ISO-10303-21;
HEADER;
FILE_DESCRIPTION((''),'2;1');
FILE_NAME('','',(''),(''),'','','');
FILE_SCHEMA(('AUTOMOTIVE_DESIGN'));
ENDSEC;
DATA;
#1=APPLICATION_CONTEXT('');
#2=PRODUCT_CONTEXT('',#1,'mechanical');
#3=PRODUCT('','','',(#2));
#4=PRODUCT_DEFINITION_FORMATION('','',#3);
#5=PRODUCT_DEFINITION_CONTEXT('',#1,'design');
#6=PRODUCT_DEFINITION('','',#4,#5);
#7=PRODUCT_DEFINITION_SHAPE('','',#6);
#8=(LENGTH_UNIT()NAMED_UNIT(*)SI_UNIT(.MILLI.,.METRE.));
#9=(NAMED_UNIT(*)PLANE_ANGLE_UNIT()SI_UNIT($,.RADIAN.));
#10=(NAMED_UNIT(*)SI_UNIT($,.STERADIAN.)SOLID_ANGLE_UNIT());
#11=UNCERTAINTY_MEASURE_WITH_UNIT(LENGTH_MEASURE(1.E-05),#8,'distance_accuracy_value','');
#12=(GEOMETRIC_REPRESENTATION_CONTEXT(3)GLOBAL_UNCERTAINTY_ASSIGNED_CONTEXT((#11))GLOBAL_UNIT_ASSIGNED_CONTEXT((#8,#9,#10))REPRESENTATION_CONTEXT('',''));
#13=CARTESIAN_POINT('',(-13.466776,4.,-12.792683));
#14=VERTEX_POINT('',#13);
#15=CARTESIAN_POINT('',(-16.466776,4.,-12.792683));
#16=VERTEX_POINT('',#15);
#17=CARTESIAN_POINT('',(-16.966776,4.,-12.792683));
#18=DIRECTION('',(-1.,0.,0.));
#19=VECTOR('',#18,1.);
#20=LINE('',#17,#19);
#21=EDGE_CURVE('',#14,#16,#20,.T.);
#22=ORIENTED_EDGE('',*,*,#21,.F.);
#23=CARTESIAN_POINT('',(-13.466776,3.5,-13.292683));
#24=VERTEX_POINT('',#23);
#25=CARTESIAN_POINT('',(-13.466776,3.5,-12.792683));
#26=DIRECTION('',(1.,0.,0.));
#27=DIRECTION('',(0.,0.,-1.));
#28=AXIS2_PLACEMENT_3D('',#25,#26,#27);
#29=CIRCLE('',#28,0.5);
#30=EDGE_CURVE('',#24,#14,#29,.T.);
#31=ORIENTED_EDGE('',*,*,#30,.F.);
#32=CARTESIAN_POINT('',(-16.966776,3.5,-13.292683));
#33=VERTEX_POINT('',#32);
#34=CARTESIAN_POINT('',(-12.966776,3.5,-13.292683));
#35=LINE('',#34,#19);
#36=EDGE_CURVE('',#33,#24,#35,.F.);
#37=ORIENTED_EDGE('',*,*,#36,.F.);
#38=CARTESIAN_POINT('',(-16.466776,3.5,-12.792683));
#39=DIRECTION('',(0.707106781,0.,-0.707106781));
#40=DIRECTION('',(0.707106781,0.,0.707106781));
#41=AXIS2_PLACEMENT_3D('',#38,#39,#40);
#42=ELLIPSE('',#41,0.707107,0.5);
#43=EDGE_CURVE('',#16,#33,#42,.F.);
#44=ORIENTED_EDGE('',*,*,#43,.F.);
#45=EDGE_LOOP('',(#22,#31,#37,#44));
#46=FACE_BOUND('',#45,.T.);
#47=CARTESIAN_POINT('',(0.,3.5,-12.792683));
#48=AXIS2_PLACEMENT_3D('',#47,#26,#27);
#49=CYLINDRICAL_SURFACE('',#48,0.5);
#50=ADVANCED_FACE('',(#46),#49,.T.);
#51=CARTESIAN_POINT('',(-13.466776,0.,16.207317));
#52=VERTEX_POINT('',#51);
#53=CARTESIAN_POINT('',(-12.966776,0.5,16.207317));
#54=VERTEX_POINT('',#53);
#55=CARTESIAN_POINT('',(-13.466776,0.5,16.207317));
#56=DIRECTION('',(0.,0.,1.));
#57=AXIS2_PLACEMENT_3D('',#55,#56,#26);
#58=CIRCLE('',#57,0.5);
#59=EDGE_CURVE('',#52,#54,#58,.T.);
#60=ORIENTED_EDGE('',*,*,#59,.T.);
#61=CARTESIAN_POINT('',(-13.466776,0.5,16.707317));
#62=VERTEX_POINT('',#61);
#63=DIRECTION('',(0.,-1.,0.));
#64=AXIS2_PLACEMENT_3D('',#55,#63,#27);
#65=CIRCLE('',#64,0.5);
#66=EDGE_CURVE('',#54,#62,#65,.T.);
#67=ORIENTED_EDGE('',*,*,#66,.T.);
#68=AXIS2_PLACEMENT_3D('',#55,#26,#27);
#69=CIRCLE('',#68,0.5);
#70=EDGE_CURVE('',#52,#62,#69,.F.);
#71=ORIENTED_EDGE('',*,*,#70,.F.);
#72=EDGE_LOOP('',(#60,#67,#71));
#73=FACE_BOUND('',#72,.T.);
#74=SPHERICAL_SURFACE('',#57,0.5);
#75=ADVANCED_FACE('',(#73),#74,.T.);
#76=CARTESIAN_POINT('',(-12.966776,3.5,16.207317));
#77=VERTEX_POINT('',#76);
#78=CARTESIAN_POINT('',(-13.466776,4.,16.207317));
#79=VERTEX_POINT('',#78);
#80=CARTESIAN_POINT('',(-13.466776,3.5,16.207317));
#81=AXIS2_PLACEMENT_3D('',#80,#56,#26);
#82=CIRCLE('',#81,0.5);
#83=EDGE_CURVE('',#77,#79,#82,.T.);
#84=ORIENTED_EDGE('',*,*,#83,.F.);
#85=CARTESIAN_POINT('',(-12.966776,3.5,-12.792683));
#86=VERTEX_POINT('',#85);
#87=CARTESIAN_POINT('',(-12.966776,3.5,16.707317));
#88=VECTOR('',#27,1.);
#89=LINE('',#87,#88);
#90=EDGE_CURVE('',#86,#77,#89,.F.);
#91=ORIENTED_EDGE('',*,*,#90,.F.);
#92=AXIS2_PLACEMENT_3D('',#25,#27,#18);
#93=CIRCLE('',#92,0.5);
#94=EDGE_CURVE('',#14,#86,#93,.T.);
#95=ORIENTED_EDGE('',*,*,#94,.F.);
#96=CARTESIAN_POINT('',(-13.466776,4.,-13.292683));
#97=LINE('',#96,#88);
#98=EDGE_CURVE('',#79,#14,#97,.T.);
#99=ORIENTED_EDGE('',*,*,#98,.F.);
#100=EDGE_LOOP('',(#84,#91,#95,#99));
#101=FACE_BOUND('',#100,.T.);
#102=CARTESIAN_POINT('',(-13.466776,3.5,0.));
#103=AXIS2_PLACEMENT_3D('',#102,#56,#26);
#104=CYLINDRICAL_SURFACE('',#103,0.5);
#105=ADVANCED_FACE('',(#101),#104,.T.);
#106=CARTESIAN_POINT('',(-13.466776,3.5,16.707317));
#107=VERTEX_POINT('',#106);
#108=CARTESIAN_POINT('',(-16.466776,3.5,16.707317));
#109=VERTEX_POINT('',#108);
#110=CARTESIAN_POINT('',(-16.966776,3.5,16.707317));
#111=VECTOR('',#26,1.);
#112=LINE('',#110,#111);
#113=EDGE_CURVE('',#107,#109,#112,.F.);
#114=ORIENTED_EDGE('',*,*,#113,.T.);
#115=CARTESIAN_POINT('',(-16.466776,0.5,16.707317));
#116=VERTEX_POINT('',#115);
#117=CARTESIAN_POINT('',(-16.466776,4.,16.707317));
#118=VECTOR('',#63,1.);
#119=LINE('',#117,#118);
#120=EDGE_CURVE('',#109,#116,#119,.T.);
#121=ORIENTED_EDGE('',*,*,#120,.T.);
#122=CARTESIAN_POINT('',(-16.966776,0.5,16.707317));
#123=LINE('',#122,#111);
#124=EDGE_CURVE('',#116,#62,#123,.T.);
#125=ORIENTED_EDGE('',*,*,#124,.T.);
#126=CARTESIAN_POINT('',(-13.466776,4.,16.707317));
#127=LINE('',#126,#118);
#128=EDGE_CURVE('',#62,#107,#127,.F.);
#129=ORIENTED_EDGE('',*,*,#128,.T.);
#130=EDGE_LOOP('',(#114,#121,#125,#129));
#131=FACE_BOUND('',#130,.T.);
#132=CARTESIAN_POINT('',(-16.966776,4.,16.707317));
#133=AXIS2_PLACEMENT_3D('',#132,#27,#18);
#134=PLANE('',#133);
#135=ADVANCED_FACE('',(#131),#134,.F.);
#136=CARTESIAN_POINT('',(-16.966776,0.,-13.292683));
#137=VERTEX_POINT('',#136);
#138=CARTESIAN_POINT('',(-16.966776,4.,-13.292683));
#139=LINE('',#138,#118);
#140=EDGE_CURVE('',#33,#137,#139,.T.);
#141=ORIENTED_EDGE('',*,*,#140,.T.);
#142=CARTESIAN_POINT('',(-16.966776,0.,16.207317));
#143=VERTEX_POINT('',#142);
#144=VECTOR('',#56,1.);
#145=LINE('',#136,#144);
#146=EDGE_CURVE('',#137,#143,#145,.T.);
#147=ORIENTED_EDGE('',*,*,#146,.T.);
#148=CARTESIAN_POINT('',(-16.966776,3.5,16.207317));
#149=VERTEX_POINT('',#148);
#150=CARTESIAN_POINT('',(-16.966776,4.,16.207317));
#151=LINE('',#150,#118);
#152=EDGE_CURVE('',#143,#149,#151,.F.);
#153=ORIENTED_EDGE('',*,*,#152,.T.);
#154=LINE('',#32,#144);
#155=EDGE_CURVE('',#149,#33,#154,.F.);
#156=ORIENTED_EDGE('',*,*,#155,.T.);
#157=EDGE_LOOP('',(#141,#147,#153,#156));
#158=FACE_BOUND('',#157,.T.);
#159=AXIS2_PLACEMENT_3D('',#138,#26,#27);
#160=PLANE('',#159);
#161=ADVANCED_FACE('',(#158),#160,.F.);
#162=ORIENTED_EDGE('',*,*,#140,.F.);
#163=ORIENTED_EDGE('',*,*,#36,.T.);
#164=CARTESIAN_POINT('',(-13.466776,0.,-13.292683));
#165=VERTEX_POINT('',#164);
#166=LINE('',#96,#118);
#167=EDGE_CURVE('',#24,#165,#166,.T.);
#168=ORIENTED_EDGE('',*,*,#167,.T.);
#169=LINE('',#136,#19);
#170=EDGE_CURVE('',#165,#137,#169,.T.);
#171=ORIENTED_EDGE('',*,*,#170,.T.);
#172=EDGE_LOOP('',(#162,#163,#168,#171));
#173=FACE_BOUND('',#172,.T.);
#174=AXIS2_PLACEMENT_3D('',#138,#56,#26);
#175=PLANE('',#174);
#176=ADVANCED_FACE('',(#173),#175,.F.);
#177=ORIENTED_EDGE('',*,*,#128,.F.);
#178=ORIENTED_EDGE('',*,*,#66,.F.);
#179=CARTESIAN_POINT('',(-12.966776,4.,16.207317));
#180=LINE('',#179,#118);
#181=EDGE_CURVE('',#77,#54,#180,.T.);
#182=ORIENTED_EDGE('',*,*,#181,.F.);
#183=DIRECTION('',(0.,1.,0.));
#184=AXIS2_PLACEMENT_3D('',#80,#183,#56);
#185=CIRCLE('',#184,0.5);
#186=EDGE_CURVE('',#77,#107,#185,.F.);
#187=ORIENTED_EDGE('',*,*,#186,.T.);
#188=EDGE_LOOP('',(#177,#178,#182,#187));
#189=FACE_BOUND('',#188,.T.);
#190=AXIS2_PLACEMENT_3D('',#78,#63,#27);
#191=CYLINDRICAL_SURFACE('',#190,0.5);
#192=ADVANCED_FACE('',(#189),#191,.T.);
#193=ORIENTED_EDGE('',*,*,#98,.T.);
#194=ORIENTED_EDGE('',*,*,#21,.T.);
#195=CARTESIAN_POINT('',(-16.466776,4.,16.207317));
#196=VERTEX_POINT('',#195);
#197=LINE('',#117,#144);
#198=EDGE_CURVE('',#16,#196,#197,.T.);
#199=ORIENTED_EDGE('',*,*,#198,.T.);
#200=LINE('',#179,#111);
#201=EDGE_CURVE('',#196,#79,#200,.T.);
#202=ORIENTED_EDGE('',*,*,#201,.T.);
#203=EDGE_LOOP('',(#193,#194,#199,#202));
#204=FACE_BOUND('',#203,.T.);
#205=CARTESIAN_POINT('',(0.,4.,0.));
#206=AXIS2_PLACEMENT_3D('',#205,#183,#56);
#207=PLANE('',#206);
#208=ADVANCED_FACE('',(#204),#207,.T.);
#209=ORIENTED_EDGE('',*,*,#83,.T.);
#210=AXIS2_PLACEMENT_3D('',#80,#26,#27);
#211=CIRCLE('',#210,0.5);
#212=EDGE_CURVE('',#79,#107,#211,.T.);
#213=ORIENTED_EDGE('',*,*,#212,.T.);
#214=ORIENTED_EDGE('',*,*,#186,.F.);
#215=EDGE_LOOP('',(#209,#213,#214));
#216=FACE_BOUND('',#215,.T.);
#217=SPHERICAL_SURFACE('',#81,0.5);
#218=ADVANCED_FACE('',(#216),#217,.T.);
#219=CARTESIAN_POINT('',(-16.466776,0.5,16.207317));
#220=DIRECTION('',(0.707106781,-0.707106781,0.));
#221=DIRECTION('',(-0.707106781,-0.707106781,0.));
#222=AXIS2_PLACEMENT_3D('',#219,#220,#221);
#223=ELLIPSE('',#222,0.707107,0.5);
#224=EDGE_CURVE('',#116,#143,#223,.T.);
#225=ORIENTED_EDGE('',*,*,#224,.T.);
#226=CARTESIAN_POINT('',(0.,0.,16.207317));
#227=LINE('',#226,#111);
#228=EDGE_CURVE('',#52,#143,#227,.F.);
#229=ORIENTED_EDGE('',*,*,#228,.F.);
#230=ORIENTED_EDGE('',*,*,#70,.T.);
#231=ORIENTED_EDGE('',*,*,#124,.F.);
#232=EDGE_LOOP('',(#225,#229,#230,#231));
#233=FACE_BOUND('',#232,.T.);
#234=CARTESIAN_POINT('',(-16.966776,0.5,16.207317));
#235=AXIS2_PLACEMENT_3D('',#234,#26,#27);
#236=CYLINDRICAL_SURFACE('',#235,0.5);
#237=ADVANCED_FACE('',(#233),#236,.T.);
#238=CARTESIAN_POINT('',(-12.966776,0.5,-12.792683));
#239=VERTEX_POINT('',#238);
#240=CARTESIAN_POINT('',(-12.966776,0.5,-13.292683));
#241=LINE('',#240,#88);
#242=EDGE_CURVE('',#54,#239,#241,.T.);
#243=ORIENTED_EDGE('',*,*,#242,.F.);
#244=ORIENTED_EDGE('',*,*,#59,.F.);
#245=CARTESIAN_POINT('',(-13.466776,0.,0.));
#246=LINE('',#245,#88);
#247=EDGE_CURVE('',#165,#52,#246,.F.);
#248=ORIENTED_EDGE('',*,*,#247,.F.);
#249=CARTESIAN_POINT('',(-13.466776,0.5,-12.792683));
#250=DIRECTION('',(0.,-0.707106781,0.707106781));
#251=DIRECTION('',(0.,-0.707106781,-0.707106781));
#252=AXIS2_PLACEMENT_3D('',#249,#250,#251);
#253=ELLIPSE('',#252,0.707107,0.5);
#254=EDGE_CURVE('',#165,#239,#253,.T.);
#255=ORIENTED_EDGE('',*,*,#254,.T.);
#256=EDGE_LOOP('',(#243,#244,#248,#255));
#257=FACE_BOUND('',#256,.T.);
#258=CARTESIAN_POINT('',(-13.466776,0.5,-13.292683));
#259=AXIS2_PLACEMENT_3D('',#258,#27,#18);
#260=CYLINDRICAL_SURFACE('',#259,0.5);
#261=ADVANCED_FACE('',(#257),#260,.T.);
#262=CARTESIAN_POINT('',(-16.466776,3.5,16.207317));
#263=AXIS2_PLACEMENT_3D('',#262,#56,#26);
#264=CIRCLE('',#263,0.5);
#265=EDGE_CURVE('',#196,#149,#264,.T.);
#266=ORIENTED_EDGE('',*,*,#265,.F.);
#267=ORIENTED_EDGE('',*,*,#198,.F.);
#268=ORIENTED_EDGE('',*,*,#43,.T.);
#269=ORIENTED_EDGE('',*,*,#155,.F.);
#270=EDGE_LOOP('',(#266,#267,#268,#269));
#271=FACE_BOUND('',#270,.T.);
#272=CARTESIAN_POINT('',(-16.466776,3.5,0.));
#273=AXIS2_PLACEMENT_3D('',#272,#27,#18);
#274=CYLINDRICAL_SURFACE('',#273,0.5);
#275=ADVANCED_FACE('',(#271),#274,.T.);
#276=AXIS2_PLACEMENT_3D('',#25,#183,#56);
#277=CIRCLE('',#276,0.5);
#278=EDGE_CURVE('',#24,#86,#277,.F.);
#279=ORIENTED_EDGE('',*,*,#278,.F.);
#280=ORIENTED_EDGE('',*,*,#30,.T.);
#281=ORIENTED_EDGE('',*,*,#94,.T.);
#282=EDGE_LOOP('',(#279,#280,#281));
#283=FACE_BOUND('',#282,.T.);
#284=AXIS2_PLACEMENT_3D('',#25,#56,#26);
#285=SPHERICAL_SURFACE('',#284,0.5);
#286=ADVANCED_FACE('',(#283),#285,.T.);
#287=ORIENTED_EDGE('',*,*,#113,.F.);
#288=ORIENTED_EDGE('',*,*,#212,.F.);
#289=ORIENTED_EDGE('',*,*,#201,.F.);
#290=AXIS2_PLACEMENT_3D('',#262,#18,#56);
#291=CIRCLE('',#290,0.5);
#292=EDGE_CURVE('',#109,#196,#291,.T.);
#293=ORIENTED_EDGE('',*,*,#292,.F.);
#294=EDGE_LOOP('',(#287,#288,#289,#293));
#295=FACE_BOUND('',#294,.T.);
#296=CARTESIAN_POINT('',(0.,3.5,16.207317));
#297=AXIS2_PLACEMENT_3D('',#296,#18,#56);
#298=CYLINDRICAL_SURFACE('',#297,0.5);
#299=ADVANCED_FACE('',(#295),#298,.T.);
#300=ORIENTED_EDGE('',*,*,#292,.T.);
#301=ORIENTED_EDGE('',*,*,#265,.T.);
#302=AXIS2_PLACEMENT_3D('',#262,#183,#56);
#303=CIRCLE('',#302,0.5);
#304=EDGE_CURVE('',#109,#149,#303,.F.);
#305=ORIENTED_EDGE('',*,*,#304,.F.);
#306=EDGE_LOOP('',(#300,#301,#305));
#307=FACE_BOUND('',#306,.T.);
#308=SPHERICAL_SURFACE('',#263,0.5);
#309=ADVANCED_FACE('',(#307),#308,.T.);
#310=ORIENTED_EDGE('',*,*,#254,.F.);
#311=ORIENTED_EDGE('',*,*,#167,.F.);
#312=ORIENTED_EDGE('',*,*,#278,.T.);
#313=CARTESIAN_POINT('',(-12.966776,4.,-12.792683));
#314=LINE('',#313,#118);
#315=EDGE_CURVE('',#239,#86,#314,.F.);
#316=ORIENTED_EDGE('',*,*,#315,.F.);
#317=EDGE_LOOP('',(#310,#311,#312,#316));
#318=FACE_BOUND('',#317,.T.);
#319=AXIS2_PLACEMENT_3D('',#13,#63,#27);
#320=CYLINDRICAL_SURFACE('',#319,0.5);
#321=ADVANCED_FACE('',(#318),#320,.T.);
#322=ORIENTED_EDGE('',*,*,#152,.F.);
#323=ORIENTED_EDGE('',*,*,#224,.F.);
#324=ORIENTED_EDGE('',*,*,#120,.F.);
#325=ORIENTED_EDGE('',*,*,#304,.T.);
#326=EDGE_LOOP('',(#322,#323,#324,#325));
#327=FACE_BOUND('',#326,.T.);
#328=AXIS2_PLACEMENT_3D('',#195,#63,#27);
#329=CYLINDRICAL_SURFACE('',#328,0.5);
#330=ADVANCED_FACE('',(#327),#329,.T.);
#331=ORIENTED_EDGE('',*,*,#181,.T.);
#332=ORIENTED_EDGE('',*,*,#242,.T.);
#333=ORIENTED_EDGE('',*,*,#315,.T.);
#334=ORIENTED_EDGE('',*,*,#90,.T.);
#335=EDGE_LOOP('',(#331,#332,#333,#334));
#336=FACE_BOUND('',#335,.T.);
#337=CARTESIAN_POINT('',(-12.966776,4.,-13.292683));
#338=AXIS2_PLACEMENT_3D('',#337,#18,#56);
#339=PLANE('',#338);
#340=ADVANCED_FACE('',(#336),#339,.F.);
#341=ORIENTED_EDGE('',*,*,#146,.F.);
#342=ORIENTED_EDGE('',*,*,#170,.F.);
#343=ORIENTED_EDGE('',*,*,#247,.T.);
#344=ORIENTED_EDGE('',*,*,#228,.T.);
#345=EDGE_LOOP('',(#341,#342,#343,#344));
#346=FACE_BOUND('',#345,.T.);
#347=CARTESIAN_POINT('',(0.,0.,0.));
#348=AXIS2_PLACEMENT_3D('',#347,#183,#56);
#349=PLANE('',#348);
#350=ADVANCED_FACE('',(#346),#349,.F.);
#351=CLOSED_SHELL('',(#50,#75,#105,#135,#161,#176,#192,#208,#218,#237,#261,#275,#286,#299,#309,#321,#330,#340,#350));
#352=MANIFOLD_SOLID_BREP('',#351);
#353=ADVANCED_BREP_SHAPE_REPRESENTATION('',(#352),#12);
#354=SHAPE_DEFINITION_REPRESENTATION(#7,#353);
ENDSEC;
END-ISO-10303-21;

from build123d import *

# Parameters (mm, degrees)
SKETCH1_W           = 4
SKETCH1_H           = 30
BOSS_EXTRUDE1_DEPTH = 4
FILLET1_R           = 0.5


with BuildPart() as part:
    # Sketch1 → Boss-Extrude1 (new body)
    with BuildSketch(Plane(origin=(0, 0, 0), x_dir=(1, 0, 0), z_dir=(0, 1, 0))):
        with Locations((-14.966775932, -1.707317073)):
            Rectangle(SKETCH1_W, SKETCH1_H)
    extrude(amount=BOSS_EXTRUDE1_DEPTH)

    # Fillet1
    fillet1_edges = [part.edges().sort_by_distance(p)[0] for p in [
        (-12.966775932, 4, 1.707317073),
        (-14.966775932, 4, -13.292682927),
        (-16.966775932, 4, 1.707317073),
        (-12.966775932, 0, 1.707317073),
        (-14.966775932, 0, 16.707317073),
        (-14.966775932, 4, 16.707317073),
        (-12.966775932, 2, -13.292682927),
        (-12.966775932, 2, 16.707317073),
        (-16.966775932, 2, 16.707317073),
    ]]
    fillet(fillet1_edges, radius=FILLET1_R)


solid = part.part
